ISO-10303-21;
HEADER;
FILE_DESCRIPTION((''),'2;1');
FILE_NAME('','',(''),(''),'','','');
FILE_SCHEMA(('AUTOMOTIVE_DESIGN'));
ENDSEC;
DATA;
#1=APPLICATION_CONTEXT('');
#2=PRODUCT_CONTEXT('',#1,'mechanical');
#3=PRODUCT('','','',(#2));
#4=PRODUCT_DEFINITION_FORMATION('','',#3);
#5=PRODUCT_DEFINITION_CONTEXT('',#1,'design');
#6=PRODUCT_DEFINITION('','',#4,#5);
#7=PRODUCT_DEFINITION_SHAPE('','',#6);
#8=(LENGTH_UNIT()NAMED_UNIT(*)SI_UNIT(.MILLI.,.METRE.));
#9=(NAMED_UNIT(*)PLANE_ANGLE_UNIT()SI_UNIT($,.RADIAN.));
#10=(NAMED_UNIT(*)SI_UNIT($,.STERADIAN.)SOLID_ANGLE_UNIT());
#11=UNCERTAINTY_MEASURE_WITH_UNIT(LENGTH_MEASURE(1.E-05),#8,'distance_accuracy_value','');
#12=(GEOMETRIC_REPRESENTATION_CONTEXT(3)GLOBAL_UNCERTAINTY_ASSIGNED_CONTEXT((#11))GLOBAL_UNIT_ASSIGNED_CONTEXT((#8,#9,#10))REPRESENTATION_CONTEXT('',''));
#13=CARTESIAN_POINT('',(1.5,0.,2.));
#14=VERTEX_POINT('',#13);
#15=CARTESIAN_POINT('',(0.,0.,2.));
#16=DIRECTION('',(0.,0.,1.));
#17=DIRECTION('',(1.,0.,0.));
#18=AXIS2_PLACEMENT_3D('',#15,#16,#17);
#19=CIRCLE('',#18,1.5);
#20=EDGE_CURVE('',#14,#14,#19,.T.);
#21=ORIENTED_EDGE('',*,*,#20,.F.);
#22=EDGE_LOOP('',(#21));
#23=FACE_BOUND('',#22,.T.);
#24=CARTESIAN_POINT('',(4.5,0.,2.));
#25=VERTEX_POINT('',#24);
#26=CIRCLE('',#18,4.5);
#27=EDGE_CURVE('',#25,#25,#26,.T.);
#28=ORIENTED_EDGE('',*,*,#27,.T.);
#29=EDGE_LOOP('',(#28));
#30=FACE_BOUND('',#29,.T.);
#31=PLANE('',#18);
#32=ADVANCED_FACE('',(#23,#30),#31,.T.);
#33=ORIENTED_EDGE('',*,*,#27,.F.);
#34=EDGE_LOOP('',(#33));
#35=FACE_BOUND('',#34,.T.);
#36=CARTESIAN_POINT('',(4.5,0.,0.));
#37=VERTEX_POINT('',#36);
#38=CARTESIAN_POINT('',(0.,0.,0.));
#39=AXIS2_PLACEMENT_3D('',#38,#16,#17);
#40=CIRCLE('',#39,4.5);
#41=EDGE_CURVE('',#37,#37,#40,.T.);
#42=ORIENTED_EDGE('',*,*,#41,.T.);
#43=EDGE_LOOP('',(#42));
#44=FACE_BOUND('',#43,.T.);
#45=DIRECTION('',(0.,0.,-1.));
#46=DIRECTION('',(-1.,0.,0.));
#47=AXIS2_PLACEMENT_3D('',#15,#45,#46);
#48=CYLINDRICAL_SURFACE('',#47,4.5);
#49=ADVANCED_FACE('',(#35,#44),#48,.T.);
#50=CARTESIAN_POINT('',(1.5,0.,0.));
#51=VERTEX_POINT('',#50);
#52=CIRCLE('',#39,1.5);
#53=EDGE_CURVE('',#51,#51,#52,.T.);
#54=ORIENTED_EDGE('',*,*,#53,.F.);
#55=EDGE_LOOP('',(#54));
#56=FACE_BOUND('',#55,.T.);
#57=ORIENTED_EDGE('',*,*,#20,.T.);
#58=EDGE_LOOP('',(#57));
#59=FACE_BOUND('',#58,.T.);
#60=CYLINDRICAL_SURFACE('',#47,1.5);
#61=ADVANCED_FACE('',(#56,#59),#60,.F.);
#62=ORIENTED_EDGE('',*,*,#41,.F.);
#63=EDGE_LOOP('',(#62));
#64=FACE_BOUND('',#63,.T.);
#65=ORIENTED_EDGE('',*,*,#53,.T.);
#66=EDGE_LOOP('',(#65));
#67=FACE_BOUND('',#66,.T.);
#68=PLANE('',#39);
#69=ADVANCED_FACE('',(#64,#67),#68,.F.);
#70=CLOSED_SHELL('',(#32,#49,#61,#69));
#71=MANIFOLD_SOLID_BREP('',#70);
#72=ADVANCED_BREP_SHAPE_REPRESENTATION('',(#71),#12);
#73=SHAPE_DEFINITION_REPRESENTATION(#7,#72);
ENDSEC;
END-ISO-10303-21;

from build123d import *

# Parameters (mm, degrees)
SKETCH1_R           = 4.5
SKETCH1_R_2         = 1.5
BOSS_EXTRUDE1_DEPTH = 2


with BuildPart() as part:
    # Sketch1 → Boss-Extrude1 (new body)
    with BuildSketch(Plane.XY):
        Circle(SKETCH1_R)
        Circle(SKETCH1_R_2, mode=Mode.SUBTRACT)
    extrude(amount=BOSS_EXTRUDE1_DEPTH)


solid = part.part
